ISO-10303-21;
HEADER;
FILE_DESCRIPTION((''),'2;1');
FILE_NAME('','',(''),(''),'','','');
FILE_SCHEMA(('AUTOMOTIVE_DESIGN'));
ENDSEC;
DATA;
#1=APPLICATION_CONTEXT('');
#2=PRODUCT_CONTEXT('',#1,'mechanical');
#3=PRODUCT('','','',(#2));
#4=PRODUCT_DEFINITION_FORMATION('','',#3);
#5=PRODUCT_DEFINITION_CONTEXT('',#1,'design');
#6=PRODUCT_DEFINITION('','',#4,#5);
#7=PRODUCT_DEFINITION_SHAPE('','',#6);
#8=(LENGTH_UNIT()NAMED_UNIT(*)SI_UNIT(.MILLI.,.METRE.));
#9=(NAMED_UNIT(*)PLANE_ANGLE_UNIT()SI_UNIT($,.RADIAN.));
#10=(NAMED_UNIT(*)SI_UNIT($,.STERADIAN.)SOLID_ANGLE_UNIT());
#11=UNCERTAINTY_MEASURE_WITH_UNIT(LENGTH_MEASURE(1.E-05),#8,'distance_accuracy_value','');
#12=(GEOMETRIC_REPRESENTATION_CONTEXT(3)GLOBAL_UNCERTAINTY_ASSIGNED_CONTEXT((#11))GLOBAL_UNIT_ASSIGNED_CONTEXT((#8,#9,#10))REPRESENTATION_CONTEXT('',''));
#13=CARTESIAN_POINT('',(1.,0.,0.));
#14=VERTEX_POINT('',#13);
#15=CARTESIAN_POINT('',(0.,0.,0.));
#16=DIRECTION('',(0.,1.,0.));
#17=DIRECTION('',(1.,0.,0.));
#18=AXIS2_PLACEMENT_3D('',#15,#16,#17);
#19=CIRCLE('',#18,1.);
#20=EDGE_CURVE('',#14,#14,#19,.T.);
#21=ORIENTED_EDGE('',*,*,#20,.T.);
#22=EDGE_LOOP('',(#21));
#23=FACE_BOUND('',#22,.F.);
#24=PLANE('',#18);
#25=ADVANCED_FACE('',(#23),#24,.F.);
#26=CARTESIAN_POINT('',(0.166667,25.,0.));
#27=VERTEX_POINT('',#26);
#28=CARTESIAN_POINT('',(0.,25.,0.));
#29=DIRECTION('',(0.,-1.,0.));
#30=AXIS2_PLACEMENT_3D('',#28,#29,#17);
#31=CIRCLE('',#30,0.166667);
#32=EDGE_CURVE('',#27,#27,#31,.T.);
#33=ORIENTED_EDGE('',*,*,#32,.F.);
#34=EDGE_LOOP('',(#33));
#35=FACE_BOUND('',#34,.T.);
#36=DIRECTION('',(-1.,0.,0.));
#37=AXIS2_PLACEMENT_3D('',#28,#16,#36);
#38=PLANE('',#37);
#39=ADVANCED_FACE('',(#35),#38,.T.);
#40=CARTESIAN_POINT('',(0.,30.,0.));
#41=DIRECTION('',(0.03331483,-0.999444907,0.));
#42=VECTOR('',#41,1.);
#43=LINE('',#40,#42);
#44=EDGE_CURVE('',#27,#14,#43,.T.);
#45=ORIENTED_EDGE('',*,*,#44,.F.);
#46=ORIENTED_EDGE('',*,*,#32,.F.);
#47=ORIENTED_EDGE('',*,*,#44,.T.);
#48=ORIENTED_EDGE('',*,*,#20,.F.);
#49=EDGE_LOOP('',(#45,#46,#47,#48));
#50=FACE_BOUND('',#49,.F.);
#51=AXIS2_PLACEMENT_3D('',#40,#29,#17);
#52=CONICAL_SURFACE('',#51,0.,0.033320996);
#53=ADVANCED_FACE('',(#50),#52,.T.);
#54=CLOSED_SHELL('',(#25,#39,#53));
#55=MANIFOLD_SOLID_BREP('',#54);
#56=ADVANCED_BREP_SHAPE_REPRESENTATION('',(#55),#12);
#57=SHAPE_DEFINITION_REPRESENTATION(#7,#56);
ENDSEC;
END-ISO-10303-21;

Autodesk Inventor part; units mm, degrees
ref_plane "YZ Plane" through (0, 0, 0) normal (1, 0, 0) x (0, 1, 0)
ref_plane "XY Plane" through (0, 0, 0) normal (0, 0, 1) x (1, 0, 0)
sketch "Sketch3" plane through (0, 0, 0) normal (0, 0, 1) x (1, 0, 0)
  line L0 (0, 0) -> (0, 30)
  line L1 (0, 30) -> (1, 0)
  line L2 (1, 0) -> (0, 0)
  dimension "d3" = 30
  dimension "d4" = 1
revolve "Revolution1" add sketch "Sketch3" angle 360 about axis through (0, 0, 0) along (0, 1, 0)
ref_plane "Work Plane1" through (0, 30, 0) normal (0, 1, 0) x (-1, 0, 0)
sketch "Sketch5" plane through (0, 30, 0) normal (0, 1, 0) x (-1, 0, 0)
  circle A0 centre (0, 0) radius 1 projected
  circle A1 centre (0, 0) radius 2.811
extrude "Extrusion3" cut sketch "Sketch5" against normal blind 5 contours A0 | A1
properties part number "LaserBeamEntry2_LOOP2DEF2"
